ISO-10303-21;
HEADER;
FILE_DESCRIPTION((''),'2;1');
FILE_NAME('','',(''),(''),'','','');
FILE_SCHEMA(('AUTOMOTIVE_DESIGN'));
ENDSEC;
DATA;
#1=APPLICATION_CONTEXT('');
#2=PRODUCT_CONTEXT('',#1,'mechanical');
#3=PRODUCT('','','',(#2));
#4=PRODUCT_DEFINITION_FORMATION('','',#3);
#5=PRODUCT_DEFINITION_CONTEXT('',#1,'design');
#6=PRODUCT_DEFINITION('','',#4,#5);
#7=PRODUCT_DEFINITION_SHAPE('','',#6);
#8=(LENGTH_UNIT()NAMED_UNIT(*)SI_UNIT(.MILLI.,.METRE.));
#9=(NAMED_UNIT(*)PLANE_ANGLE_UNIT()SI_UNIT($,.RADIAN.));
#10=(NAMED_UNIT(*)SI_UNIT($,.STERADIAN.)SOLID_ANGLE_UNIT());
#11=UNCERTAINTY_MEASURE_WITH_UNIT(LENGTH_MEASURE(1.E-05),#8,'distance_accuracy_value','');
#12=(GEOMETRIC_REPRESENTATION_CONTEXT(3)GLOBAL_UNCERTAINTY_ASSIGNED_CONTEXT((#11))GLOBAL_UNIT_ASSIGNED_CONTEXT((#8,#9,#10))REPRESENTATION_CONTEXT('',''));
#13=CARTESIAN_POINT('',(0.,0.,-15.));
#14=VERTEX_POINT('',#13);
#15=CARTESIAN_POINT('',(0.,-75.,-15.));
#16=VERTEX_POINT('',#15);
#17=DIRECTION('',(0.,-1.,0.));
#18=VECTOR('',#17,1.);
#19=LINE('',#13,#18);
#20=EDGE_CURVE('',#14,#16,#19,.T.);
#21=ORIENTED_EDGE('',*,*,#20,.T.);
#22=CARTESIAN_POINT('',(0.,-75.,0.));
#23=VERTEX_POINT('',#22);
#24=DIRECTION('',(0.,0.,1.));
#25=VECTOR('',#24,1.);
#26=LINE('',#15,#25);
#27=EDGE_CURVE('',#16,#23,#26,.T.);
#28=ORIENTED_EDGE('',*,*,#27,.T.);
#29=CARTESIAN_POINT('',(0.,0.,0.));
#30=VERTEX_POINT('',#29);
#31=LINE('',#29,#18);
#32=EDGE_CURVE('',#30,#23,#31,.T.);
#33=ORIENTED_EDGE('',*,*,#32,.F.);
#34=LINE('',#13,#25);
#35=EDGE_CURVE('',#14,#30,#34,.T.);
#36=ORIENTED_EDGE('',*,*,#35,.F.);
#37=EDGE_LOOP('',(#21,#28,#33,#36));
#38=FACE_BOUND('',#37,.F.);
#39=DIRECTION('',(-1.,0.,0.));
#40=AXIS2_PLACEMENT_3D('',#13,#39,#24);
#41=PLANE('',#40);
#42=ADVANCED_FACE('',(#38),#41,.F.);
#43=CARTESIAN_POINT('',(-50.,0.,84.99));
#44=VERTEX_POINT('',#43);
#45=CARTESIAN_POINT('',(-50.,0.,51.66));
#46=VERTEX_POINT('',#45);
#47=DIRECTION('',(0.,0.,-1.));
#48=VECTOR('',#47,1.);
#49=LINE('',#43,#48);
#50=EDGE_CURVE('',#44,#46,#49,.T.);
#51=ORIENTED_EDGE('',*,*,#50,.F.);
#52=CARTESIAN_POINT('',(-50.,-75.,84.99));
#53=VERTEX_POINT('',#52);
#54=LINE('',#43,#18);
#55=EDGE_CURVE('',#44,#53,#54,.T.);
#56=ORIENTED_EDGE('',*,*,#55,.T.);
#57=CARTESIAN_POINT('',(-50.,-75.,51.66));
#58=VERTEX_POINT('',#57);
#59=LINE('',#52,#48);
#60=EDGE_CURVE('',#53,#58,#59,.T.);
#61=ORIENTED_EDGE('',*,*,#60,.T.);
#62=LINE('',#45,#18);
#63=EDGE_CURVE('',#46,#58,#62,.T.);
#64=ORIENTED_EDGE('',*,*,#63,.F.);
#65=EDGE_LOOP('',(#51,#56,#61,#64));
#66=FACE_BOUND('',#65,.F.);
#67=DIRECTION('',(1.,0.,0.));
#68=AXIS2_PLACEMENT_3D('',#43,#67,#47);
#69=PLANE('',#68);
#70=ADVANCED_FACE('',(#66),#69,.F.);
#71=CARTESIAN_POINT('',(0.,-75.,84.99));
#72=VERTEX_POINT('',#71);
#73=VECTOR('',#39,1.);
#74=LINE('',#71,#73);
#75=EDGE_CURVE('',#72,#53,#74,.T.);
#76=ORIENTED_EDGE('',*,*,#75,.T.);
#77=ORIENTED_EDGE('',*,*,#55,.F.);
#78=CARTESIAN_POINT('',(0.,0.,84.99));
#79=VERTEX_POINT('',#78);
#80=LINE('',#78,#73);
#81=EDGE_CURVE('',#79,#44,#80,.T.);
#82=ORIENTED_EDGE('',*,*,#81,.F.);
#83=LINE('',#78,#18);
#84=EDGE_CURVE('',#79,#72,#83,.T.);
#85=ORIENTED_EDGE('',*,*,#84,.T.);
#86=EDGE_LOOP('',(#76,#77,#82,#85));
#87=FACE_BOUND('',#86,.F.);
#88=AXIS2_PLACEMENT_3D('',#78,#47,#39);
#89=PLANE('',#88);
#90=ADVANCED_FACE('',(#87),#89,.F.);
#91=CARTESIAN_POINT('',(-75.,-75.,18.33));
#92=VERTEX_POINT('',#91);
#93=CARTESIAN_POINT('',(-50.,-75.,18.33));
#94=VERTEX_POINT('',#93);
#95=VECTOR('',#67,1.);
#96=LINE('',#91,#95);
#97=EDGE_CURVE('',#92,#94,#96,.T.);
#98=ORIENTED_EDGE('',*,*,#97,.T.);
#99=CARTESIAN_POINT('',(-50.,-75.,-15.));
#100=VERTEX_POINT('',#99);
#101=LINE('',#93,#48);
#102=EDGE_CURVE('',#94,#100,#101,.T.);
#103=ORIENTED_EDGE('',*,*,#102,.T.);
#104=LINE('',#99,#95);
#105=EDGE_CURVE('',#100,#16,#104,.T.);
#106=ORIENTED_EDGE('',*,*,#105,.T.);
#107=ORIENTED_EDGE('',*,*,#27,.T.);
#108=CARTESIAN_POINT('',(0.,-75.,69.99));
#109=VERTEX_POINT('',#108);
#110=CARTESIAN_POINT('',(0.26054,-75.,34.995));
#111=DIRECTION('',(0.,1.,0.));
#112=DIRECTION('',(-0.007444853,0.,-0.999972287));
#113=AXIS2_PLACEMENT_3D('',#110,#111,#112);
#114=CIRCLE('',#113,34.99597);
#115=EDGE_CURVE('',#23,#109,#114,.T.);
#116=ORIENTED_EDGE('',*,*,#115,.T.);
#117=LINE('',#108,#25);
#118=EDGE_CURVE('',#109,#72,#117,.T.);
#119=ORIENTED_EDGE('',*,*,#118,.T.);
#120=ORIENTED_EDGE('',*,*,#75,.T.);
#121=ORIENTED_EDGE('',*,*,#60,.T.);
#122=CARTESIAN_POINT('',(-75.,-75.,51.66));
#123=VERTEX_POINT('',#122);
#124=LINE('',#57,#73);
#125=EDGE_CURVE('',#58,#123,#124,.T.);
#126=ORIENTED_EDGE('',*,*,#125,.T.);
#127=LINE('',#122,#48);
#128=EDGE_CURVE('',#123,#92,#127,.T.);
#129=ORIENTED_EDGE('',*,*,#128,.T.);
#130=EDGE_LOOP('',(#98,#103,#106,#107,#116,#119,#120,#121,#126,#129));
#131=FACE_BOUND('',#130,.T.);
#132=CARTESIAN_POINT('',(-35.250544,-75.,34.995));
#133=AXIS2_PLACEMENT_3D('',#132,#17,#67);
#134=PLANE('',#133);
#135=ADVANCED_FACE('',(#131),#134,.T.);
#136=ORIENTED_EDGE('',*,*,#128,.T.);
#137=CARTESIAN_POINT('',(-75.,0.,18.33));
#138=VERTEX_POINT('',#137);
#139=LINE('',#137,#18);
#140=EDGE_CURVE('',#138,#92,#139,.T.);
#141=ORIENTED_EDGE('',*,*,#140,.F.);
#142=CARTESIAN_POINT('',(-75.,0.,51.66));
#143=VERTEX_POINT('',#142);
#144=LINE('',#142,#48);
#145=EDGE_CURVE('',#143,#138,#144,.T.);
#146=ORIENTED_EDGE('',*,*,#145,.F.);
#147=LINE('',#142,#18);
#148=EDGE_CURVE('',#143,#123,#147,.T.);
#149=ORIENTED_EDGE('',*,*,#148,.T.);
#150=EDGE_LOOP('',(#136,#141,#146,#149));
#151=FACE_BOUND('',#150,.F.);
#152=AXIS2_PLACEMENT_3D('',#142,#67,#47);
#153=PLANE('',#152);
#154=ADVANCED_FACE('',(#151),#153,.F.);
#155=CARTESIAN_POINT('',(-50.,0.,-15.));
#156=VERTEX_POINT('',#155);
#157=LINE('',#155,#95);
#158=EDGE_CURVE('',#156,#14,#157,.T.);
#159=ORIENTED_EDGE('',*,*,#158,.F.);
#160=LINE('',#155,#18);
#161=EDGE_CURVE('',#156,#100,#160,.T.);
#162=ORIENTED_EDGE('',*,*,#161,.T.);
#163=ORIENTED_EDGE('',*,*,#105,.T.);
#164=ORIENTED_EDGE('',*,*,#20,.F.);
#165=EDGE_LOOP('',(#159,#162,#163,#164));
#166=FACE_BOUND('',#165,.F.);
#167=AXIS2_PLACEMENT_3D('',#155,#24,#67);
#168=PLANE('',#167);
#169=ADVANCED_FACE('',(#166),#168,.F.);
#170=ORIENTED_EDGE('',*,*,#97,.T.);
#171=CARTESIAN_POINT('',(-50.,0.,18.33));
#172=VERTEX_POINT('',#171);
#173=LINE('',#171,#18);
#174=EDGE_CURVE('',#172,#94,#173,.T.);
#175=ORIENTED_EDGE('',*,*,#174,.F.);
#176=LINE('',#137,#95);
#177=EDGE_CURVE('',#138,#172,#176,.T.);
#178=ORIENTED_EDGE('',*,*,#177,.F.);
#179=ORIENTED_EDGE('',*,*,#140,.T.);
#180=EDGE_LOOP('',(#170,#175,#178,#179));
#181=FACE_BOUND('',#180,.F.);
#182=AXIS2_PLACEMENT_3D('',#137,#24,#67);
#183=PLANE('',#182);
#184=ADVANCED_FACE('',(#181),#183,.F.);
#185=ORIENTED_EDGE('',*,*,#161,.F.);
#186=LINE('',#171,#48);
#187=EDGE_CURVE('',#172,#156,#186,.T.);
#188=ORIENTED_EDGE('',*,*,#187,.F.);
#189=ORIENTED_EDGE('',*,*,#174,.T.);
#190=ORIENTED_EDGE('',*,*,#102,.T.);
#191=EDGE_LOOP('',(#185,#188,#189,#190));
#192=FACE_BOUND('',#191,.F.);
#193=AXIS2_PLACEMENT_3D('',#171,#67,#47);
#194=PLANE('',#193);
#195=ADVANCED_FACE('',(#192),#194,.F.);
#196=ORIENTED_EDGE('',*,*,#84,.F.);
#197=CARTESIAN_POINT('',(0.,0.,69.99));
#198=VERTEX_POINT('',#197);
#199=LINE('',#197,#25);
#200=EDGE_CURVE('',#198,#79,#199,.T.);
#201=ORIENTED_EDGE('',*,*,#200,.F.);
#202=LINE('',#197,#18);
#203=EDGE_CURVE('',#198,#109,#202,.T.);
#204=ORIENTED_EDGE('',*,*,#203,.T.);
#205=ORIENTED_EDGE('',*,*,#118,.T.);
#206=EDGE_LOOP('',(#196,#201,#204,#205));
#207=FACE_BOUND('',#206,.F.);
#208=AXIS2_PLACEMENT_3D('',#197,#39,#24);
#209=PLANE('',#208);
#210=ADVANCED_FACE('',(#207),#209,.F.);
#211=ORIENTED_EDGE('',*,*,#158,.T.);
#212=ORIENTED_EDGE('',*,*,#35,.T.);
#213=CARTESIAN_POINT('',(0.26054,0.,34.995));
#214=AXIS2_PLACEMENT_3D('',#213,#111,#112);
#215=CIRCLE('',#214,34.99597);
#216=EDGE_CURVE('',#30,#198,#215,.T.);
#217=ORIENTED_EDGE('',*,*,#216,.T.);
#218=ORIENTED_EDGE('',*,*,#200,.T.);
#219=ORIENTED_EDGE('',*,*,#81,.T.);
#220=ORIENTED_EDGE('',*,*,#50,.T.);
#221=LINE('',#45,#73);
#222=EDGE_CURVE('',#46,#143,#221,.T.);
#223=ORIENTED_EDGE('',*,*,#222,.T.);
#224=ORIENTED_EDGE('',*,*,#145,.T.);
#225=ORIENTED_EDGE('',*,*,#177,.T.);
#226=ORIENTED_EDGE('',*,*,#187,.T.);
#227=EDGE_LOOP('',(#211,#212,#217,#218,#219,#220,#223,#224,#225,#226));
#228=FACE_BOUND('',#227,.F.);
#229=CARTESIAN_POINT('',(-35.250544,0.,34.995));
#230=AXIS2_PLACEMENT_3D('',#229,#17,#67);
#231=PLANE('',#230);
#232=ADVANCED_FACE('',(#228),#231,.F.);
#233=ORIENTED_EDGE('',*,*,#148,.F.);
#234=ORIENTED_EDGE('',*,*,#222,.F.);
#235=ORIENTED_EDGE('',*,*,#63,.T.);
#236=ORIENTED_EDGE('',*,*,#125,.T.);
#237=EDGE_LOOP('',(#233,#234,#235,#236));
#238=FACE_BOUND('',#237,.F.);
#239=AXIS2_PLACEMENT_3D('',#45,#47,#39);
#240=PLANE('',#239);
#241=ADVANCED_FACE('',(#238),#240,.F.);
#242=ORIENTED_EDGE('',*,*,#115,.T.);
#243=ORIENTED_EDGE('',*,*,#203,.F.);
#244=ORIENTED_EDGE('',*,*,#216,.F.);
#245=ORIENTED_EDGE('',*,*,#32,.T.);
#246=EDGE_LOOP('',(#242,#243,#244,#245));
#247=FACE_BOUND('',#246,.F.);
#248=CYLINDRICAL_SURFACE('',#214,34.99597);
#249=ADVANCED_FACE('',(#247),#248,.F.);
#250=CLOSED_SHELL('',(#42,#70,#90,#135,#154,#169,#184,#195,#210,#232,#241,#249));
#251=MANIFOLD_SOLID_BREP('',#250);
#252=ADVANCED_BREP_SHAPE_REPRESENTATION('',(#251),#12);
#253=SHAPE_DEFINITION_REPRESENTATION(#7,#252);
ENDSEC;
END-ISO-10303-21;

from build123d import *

# Parameters (mm, degrees)
F1_DEPTH = 75


with BuildPart() as f1:
    # F0 (on Front) → F1 (new body)
    with BuildSketch(Plane.XZ):
        with BuildLine():
            Line((0, -15), (0, 0))
            ThreePointArc((0, 0), (-34.73543, 34.995), (0, 69.99))
            Line((0, 69.99), (0, 84.99))
            Line((0, 84.99), (-50, 84.99))
            Line((-50, 84.99), (-50, 51.66))
            Line((-50, 51.66), (-75, 51.66))
            Line((-75, 51.66), (-75, 18.33))
            Line((-75, 18.33), (-50, 18.33))
            Line((-50, 18.33), (-50, -15))
            Line((-50, -15), (0, -15))
        make_face()
    extrude(amount=F1_DEPTH)


solid = f1.part
